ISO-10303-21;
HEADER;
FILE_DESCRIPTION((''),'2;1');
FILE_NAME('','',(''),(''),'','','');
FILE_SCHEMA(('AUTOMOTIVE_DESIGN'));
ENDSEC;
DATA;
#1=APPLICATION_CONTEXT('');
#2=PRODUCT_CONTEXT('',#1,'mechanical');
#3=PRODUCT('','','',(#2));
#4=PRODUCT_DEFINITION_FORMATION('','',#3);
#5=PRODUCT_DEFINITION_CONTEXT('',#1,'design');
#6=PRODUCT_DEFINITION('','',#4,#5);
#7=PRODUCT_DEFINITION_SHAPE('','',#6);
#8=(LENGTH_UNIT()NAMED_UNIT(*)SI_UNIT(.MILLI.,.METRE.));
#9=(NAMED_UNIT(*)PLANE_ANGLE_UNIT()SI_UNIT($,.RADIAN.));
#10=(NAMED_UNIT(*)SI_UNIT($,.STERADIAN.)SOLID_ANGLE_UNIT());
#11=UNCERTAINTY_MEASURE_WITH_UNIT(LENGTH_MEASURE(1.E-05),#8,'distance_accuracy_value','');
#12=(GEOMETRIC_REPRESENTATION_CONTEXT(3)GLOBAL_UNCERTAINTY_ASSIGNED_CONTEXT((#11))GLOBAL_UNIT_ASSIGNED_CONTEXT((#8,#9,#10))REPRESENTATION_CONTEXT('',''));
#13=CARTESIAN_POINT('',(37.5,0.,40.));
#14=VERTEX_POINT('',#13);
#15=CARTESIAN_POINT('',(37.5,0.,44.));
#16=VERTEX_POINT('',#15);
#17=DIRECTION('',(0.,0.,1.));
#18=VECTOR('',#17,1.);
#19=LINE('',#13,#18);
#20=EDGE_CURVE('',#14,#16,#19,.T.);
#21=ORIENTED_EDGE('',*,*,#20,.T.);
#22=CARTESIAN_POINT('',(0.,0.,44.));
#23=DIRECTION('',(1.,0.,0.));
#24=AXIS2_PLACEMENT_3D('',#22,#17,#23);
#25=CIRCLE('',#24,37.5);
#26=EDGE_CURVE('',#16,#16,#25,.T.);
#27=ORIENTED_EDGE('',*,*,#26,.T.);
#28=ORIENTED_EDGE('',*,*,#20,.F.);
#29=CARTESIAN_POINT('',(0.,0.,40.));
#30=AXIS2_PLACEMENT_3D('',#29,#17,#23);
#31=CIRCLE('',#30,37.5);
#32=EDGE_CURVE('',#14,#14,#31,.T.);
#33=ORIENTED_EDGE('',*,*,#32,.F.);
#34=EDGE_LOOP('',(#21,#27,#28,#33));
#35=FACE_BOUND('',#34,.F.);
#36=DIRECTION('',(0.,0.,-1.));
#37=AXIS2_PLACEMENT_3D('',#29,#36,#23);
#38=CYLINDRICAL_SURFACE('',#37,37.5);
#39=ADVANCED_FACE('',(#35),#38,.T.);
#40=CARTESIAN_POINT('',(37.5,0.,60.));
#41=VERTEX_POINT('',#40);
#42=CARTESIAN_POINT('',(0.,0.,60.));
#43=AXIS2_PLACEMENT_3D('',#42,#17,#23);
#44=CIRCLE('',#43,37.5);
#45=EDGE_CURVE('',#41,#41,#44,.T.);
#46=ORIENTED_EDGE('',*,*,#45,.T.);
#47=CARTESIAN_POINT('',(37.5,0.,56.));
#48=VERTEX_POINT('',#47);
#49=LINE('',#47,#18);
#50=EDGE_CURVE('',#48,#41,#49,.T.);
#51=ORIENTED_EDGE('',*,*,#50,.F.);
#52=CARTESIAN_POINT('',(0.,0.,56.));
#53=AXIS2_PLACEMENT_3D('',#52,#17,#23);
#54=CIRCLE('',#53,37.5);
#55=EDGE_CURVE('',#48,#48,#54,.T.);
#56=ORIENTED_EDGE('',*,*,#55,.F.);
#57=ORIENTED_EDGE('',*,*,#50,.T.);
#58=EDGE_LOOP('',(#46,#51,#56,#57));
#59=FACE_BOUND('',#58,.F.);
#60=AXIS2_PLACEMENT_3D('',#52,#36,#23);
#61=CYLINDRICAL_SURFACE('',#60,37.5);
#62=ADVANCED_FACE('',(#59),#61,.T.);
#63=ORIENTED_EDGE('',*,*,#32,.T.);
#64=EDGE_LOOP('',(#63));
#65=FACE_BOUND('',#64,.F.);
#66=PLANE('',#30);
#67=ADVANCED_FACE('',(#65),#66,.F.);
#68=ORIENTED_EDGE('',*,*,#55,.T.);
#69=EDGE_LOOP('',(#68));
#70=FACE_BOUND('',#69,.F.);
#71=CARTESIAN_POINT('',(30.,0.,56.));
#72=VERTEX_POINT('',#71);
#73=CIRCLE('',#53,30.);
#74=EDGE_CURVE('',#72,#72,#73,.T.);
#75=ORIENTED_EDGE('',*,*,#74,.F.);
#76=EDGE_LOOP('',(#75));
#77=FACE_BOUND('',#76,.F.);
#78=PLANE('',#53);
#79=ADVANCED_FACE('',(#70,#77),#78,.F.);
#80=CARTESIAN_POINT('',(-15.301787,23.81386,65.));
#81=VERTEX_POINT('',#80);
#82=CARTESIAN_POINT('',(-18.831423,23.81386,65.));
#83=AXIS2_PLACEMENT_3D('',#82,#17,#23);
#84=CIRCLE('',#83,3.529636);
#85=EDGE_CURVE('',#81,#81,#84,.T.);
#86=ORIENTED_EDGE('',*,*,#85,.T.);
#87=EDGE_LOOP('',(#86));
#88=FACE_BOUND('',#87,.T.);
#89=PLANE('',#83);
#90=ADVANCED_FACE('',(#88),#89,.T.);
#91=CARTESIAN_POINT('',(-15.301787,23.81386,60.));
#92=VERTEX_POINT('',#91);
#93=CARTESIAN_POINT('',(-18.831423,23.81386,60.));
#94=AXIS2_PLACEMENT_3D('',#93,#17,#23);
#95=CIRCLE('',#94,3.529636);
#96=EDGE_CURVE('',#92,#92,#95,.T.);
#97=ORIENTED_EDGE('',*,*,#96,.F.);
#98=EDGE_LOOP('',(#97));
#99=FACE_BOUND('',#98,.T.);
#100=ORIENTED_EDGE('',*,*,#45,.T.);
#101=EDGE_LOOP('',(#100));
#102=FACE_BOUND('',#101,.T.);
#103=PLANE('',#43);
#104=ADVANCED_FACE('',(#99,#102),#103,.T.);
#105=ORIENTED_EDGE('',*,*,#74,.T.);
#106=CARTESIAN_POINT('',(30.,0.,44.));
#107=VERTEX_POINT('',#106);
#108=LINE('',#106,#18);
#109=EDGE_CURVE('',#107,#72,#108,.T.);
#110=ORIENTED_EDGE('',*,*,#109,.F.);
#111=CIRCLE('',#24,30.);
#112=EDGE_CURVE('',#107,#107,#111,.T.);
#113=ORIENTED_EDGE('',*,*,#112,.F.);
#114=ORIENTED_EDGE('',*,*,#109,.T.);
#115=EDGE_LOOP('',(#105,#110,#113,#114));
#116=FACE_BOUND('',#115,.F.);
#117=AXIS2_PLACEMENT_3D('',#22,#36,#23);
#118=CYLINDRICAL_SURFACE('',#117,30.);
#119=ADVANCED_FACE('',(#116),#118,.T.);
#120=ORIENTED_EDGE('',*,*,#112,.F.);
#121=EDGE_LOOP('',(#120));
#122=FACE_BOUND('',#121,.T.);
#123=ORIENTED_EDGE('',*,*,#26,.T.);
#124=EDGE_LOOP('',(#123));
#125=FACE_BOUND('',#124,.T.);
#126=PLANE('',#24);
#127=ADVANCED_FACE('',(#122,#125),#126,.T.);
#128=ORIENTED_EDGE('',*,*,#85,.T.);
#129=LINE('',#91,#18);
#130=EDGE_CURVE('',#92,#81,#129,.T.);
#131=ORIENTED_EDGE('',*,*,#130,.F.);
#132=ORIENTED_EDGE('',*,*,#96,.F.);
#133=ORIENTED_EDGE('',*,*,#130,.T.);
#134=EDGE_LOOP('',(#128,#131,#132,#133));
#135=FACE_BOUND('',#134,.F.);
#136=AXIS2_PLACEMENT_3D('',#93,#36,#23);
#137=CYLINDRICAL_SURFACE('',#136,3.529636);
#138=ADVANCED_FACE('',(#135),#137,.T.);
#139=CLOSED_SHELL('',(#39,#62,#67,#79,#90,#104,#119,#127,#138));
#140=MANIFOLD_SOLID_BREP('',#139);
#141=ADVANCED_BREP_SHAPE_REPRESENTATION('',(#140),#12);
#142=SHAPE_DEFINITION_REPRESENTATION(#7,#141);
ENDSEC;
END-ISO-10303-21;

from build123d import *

# Parameters (mm, degrees)
F2_R      = 37.5
F3_DEPTH  = 4
F5_R      = 30
F6_DEPTH  = 12
F8_R      = 37.5
F9_DEPTH  = 4
F15_R     = 3.5296355076
F16_DEPTH = 5


with BuildPart() as f3:
    # F2 (on Top) → F3 (new body)
    with BuildSketch(Plane.XY):
        Circle(F2_R)
    extrude(amount=F3_DEPTH)

    # F5 (on offset) → F6 (join)
    with BuildSketch(Plane.XY.offset(4)):
        Circle(F5_R)
    extrude(amount=F6_DEPTH)

    # F8 (on offset) → F9 (join)
    with BuildSketch(Plane.XY.offset(16)):
        Circle(F8_R)
    extrude(amount=F9_DEPTH)


with BuildPart() as f10_1:
    # F10: copy of F3
    add(f3.part.moved(Location((0, 0, 20))))


with BuildPart() as f12_1:
    # F12: copy of F3
    add(f3.part)


with BuildPart() as f3_1:
    # F14: moved
    add(f3.part.moved(Location((0, 0, 40))))

    # F15 (on face) → F16 (join)
    with BuildSketch(Plane.XY.offset(60)):
        with Locations((-18.8314225525, 23.8138604909)):
            Circle(F15_R)
    extrude(amount=F16_DEPTH)


solid = f3_1.part
